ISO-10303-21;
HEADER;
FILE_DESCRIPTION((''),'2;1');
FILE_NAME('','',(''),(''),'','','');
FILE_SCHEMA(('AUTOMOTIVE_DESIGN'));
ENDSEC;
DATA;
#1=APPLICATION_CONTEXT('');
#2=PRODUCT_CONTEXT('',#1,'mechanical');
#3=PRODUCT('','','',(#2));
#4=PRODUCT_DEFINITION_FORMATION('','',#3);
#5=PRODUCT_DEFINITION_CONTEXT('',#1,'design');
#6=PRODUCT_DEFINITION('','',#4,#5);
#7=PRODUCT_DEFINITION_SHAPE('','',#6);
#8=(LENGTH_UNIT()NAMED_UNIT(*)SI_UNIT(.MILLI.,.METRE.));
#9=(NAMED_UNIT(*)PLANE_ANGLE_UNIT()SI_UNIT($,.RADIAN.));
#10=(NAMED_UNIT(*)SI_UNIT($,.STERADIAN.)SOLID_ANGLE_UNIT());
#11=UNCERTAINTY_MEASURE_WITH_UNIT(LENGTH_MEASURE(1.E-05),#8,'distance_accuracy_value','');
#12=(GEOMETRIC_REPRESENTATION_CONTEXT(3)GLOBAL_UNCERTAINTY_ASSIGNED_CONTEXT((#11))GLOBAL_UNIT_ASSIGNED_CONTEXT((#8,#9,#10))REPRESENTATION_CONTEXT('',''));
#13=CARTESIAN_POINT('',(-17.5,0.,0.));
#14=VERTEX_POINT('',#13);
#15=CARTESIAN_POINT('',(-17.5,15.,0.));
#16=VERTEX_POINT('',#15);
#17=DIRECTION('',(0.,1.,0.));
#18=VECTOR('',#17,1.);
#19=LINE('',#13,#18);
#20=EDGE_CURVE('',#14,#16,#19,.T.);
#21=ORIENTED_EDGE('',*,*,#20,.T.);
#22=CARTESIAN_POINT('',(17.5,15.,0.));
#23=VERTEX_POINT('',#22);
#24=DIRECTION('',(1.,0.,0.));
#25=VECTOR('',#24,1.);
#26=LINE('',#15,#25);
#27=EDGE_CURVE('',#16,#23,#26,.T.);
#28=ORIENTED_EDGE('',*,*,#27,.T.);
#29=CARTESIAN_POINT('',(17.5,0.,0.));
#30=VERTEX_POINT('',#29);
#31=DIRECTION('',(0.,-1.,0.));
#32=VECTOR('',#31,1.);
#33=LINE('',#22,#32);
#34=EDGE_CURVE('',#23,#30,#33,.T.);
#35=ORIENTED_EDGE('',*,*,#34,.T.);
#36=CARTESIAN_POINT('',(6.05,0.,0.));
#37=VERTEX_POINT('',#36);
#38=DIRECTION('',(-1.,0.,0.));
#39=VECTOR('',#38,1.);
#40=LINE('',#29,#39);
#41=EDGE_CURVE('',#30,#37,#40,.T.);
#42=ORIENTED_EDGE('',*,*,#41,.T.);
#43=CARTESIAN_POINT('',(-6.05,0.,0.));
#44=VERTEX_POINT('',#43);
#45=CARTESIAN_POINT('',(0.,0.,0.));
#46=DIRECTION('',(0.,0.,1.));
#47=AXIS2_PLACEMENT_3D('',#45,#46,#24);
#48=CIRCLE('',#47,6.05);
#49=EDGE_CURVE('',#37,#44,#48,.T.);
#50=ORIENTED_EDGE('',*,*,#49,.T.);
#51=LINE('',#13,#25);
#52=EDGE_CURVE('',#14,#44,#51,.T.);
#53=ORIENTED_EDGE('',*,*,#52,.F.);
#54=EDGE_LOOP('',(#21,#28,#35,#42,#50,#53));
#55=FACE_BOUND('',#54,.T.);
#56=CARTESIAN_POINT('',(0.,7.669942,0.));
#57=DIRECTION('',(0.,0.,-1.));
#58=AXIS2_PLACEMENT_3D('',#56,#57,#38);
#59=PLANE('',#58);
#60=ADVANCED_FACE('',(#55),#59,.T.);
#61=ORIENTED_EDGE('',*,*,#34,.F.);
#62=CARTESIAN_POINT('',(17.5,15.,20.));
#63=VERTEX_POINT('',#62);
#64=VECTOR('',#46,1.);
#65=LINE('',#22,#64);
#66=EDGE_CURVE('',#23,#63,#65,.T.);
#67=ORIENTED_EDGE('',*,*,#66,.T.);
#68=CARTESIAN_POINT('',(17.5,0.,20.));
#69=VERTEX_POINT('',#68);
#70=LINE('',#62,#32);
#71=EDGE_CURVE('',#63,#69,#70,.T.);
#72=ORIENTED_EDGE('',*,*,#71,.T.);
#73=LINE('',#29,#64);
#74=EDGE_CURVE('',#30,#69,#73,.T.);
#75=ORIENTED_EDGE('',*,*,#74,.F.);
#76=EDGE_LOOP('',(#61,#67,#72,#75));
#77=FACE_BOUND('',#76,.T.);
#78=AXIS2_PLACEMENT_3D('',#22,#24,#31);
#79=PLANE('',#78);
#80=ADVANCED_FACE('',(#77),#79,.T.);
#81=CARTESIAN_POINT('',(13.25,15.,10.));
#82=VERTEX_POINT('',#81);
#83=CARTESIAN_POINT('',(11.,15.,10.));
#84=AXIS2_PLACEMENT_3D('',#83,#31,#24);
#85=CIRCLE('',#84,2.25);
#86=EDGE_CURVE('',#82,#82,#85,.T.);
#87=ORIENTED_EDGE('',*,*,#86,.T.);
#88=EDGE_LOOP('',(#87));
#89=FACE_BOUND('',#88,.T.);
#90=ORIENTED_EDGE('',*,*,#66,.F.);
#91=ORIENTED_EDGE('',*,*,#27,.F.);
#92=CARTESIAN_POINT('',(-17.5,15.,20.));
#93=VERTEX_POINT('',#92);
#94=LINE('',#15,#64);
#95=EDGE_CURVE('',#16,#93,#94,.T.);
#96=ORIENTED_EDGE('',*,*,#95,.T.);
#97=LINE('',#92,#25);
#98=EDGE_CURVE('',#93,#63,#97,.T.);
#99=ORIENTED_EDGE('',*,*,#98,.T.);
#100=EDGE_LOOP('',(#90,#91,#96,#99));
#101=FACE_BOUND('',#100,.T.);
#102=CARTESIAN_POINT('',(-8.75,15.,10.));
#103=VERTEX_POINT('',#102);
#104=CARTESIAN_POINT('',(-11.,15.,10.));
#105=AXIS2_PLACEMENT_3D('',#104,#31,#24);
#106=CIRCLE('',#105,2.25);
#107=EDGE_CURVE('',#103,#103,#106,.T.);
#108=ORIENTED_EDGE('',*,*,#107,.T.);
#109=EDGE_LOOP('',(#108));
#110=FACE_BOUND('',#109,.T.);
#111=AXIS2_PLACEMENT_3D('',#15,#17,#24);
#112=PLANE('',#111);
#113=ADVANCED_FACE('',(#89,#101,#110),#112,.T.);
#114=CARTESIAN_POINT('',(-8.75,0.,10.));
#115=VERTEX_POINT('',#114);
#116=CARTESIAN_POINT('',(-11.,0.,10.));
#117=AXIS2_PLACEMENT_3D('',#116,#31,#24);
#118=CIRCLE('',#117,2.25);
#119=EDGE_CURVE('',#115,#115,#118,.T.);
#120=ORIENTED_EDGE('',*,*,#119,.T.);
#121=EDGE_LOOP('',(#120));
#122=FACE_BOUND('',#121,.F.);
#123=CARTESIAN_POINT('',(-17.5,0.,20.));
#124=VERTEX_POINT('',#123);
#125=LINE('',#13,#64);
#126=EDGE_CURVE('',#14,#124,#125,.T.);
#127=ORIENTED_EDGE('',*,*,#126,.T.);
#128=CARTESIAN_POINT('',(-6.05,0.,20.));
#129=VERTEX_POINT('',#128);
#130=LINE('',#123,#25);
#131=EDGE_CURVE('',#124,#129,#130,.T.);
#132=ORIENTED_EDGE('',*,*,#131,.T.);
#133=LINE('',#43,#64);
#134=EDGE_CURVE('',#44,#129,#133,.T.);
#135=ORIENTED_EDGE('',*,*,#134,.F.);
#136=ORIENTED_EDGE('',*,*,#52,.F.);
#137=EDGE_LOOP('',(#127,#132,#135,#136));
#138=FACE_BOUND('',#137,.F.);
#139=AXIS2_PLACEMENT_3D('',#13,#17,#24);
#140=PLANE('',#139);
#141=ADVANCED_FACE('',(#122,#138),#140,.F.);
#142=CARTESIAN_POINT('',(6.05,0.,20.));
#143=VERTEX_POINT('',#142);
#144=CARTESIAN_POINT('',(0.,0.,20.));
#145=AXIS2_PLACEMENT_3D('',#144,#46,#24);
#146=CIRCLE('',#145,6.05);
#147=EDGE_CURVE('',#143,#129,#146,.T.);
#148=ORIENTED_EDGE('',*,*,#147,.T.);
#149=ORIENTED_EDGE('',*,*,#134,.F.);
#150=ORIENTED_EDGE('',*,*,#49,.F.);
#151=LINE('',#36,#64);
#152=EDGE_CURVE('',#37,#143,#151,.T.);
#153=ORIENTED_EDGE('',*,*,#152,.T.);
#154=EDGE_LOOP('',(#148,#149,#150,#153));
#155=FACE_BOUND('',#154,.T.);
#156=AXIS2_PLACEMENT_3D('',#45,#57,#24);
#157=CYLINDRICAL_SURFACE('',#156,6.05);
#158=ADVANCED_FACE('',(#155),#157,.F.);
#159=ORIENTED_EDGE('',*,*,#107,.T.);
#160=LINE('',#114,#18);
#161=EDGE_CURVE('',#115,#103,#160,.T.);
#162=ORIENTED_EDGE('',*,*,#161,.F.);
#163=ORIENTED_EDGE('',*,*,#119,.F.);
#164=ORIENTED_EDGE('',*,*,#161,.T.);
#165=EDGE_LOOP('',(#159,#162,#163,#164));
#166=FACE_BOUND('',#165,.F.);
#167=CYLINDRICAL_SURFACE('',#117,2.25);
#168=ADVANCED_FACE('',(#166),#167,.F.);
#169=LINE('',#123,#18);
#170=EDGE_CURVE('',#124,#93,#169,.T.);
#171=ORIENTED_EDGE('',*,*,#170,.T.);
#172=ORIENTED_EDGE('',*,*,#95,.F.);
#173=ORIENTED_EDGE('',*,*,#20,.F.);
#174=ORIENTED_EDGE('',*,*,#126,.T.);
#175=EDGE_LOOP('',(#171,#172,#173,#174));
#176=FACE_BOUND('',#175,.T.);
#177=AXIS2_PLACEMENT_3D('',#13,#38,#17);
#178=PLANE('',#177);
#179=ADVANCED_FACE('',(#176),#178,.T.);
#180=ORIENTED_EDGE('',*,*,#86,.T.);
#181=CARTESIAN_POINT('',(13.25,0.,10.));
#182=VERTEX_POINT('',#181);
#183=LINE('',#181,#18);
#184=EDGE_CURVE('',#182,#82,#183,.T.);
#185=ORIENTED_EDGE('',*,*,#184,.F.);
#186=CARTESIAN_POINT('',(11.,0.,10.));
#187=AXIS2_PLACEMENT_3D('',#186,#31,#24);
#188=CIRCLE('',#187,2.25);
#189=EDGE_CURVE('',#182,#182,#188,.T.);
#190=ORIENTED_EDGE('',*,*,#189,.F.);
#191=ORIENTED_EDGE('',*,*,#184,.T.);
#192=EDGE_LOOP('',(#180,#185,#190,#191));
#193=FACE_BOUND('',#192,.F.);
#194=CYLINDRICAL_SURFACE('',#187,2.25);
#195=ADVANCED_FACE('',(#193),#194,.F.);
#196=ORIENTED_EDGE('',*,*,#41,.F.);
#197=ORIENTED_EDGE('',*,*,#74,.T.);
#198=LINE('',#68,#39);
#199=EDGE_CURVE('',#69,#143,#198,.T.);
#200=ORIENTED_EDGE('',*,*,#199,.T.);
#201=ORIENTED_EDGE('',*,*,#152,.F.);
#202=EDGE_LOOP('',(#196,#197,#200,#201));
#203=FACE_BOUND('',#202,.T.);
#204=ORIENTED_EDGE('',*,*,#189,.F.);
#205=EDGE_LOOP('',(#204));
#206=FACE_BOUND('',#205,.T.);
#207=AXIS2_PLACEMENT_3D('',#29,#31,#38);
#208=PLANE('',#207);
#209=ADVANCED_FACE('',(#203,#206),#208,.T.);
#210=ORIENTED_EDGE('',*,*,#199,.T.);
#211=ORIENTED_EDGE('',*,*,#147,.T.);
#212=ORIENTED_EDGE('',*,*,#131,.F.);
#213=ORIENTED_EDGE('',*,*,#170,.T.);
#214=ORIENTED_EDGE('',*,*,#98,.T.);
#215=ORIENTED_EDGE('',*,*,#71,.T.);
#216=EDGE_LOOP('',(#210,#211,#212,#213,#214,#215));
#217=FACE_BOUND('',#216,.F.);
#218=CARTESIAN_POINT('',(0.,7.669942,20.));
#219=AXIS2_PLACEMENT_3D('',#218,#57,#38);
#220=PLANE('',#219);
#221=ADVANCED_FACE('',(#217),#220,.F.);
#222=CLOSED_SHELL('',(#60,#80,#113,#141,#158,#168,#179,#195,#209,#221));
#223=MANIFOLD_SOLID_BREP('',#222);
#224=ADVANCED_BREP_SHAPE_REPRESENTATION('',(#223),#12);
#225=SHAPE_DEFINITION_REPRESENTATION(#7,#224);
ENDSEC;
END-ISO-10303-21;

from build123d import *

# Parameters (mm, degrees)
PAD_DEPTH    = 20
SKETCH001_R  = 2.25
POCKET_DEPTH = 15.001


with BuildPart() as part:
    # Sketch → Pad (new body)
    with BuildSketch(Plane.XY):
        with BuildLine():
            Line((-17.5, 15), (17.5, 15))
            Line((17.5, 15), (17.5, 0))
            Line((17.5, 0), (6.05, 0))
            ThreePointArc((6.05, 0), (0, 6.05), (-6.05, 0))
            Line((-17.5, 0), (-6.05, 0))
            Line((-17.5, 0), (-17.5, 15))
        make_face()
    extrude(amount=PAD_DEPTH)

    # Sketch001 → Pocket (cut, through all)
    with BuildSketch(Plane.XZ):
        with Locations((-11, 10)):
            Circle(SKETCH001_R)
        with Locations((11, 10)):
            Circle(SKETCH001_R)
    extrude(amount=-POCKET_DEPTH, mode=Mode.SUBTRACT)


solid = part.part
